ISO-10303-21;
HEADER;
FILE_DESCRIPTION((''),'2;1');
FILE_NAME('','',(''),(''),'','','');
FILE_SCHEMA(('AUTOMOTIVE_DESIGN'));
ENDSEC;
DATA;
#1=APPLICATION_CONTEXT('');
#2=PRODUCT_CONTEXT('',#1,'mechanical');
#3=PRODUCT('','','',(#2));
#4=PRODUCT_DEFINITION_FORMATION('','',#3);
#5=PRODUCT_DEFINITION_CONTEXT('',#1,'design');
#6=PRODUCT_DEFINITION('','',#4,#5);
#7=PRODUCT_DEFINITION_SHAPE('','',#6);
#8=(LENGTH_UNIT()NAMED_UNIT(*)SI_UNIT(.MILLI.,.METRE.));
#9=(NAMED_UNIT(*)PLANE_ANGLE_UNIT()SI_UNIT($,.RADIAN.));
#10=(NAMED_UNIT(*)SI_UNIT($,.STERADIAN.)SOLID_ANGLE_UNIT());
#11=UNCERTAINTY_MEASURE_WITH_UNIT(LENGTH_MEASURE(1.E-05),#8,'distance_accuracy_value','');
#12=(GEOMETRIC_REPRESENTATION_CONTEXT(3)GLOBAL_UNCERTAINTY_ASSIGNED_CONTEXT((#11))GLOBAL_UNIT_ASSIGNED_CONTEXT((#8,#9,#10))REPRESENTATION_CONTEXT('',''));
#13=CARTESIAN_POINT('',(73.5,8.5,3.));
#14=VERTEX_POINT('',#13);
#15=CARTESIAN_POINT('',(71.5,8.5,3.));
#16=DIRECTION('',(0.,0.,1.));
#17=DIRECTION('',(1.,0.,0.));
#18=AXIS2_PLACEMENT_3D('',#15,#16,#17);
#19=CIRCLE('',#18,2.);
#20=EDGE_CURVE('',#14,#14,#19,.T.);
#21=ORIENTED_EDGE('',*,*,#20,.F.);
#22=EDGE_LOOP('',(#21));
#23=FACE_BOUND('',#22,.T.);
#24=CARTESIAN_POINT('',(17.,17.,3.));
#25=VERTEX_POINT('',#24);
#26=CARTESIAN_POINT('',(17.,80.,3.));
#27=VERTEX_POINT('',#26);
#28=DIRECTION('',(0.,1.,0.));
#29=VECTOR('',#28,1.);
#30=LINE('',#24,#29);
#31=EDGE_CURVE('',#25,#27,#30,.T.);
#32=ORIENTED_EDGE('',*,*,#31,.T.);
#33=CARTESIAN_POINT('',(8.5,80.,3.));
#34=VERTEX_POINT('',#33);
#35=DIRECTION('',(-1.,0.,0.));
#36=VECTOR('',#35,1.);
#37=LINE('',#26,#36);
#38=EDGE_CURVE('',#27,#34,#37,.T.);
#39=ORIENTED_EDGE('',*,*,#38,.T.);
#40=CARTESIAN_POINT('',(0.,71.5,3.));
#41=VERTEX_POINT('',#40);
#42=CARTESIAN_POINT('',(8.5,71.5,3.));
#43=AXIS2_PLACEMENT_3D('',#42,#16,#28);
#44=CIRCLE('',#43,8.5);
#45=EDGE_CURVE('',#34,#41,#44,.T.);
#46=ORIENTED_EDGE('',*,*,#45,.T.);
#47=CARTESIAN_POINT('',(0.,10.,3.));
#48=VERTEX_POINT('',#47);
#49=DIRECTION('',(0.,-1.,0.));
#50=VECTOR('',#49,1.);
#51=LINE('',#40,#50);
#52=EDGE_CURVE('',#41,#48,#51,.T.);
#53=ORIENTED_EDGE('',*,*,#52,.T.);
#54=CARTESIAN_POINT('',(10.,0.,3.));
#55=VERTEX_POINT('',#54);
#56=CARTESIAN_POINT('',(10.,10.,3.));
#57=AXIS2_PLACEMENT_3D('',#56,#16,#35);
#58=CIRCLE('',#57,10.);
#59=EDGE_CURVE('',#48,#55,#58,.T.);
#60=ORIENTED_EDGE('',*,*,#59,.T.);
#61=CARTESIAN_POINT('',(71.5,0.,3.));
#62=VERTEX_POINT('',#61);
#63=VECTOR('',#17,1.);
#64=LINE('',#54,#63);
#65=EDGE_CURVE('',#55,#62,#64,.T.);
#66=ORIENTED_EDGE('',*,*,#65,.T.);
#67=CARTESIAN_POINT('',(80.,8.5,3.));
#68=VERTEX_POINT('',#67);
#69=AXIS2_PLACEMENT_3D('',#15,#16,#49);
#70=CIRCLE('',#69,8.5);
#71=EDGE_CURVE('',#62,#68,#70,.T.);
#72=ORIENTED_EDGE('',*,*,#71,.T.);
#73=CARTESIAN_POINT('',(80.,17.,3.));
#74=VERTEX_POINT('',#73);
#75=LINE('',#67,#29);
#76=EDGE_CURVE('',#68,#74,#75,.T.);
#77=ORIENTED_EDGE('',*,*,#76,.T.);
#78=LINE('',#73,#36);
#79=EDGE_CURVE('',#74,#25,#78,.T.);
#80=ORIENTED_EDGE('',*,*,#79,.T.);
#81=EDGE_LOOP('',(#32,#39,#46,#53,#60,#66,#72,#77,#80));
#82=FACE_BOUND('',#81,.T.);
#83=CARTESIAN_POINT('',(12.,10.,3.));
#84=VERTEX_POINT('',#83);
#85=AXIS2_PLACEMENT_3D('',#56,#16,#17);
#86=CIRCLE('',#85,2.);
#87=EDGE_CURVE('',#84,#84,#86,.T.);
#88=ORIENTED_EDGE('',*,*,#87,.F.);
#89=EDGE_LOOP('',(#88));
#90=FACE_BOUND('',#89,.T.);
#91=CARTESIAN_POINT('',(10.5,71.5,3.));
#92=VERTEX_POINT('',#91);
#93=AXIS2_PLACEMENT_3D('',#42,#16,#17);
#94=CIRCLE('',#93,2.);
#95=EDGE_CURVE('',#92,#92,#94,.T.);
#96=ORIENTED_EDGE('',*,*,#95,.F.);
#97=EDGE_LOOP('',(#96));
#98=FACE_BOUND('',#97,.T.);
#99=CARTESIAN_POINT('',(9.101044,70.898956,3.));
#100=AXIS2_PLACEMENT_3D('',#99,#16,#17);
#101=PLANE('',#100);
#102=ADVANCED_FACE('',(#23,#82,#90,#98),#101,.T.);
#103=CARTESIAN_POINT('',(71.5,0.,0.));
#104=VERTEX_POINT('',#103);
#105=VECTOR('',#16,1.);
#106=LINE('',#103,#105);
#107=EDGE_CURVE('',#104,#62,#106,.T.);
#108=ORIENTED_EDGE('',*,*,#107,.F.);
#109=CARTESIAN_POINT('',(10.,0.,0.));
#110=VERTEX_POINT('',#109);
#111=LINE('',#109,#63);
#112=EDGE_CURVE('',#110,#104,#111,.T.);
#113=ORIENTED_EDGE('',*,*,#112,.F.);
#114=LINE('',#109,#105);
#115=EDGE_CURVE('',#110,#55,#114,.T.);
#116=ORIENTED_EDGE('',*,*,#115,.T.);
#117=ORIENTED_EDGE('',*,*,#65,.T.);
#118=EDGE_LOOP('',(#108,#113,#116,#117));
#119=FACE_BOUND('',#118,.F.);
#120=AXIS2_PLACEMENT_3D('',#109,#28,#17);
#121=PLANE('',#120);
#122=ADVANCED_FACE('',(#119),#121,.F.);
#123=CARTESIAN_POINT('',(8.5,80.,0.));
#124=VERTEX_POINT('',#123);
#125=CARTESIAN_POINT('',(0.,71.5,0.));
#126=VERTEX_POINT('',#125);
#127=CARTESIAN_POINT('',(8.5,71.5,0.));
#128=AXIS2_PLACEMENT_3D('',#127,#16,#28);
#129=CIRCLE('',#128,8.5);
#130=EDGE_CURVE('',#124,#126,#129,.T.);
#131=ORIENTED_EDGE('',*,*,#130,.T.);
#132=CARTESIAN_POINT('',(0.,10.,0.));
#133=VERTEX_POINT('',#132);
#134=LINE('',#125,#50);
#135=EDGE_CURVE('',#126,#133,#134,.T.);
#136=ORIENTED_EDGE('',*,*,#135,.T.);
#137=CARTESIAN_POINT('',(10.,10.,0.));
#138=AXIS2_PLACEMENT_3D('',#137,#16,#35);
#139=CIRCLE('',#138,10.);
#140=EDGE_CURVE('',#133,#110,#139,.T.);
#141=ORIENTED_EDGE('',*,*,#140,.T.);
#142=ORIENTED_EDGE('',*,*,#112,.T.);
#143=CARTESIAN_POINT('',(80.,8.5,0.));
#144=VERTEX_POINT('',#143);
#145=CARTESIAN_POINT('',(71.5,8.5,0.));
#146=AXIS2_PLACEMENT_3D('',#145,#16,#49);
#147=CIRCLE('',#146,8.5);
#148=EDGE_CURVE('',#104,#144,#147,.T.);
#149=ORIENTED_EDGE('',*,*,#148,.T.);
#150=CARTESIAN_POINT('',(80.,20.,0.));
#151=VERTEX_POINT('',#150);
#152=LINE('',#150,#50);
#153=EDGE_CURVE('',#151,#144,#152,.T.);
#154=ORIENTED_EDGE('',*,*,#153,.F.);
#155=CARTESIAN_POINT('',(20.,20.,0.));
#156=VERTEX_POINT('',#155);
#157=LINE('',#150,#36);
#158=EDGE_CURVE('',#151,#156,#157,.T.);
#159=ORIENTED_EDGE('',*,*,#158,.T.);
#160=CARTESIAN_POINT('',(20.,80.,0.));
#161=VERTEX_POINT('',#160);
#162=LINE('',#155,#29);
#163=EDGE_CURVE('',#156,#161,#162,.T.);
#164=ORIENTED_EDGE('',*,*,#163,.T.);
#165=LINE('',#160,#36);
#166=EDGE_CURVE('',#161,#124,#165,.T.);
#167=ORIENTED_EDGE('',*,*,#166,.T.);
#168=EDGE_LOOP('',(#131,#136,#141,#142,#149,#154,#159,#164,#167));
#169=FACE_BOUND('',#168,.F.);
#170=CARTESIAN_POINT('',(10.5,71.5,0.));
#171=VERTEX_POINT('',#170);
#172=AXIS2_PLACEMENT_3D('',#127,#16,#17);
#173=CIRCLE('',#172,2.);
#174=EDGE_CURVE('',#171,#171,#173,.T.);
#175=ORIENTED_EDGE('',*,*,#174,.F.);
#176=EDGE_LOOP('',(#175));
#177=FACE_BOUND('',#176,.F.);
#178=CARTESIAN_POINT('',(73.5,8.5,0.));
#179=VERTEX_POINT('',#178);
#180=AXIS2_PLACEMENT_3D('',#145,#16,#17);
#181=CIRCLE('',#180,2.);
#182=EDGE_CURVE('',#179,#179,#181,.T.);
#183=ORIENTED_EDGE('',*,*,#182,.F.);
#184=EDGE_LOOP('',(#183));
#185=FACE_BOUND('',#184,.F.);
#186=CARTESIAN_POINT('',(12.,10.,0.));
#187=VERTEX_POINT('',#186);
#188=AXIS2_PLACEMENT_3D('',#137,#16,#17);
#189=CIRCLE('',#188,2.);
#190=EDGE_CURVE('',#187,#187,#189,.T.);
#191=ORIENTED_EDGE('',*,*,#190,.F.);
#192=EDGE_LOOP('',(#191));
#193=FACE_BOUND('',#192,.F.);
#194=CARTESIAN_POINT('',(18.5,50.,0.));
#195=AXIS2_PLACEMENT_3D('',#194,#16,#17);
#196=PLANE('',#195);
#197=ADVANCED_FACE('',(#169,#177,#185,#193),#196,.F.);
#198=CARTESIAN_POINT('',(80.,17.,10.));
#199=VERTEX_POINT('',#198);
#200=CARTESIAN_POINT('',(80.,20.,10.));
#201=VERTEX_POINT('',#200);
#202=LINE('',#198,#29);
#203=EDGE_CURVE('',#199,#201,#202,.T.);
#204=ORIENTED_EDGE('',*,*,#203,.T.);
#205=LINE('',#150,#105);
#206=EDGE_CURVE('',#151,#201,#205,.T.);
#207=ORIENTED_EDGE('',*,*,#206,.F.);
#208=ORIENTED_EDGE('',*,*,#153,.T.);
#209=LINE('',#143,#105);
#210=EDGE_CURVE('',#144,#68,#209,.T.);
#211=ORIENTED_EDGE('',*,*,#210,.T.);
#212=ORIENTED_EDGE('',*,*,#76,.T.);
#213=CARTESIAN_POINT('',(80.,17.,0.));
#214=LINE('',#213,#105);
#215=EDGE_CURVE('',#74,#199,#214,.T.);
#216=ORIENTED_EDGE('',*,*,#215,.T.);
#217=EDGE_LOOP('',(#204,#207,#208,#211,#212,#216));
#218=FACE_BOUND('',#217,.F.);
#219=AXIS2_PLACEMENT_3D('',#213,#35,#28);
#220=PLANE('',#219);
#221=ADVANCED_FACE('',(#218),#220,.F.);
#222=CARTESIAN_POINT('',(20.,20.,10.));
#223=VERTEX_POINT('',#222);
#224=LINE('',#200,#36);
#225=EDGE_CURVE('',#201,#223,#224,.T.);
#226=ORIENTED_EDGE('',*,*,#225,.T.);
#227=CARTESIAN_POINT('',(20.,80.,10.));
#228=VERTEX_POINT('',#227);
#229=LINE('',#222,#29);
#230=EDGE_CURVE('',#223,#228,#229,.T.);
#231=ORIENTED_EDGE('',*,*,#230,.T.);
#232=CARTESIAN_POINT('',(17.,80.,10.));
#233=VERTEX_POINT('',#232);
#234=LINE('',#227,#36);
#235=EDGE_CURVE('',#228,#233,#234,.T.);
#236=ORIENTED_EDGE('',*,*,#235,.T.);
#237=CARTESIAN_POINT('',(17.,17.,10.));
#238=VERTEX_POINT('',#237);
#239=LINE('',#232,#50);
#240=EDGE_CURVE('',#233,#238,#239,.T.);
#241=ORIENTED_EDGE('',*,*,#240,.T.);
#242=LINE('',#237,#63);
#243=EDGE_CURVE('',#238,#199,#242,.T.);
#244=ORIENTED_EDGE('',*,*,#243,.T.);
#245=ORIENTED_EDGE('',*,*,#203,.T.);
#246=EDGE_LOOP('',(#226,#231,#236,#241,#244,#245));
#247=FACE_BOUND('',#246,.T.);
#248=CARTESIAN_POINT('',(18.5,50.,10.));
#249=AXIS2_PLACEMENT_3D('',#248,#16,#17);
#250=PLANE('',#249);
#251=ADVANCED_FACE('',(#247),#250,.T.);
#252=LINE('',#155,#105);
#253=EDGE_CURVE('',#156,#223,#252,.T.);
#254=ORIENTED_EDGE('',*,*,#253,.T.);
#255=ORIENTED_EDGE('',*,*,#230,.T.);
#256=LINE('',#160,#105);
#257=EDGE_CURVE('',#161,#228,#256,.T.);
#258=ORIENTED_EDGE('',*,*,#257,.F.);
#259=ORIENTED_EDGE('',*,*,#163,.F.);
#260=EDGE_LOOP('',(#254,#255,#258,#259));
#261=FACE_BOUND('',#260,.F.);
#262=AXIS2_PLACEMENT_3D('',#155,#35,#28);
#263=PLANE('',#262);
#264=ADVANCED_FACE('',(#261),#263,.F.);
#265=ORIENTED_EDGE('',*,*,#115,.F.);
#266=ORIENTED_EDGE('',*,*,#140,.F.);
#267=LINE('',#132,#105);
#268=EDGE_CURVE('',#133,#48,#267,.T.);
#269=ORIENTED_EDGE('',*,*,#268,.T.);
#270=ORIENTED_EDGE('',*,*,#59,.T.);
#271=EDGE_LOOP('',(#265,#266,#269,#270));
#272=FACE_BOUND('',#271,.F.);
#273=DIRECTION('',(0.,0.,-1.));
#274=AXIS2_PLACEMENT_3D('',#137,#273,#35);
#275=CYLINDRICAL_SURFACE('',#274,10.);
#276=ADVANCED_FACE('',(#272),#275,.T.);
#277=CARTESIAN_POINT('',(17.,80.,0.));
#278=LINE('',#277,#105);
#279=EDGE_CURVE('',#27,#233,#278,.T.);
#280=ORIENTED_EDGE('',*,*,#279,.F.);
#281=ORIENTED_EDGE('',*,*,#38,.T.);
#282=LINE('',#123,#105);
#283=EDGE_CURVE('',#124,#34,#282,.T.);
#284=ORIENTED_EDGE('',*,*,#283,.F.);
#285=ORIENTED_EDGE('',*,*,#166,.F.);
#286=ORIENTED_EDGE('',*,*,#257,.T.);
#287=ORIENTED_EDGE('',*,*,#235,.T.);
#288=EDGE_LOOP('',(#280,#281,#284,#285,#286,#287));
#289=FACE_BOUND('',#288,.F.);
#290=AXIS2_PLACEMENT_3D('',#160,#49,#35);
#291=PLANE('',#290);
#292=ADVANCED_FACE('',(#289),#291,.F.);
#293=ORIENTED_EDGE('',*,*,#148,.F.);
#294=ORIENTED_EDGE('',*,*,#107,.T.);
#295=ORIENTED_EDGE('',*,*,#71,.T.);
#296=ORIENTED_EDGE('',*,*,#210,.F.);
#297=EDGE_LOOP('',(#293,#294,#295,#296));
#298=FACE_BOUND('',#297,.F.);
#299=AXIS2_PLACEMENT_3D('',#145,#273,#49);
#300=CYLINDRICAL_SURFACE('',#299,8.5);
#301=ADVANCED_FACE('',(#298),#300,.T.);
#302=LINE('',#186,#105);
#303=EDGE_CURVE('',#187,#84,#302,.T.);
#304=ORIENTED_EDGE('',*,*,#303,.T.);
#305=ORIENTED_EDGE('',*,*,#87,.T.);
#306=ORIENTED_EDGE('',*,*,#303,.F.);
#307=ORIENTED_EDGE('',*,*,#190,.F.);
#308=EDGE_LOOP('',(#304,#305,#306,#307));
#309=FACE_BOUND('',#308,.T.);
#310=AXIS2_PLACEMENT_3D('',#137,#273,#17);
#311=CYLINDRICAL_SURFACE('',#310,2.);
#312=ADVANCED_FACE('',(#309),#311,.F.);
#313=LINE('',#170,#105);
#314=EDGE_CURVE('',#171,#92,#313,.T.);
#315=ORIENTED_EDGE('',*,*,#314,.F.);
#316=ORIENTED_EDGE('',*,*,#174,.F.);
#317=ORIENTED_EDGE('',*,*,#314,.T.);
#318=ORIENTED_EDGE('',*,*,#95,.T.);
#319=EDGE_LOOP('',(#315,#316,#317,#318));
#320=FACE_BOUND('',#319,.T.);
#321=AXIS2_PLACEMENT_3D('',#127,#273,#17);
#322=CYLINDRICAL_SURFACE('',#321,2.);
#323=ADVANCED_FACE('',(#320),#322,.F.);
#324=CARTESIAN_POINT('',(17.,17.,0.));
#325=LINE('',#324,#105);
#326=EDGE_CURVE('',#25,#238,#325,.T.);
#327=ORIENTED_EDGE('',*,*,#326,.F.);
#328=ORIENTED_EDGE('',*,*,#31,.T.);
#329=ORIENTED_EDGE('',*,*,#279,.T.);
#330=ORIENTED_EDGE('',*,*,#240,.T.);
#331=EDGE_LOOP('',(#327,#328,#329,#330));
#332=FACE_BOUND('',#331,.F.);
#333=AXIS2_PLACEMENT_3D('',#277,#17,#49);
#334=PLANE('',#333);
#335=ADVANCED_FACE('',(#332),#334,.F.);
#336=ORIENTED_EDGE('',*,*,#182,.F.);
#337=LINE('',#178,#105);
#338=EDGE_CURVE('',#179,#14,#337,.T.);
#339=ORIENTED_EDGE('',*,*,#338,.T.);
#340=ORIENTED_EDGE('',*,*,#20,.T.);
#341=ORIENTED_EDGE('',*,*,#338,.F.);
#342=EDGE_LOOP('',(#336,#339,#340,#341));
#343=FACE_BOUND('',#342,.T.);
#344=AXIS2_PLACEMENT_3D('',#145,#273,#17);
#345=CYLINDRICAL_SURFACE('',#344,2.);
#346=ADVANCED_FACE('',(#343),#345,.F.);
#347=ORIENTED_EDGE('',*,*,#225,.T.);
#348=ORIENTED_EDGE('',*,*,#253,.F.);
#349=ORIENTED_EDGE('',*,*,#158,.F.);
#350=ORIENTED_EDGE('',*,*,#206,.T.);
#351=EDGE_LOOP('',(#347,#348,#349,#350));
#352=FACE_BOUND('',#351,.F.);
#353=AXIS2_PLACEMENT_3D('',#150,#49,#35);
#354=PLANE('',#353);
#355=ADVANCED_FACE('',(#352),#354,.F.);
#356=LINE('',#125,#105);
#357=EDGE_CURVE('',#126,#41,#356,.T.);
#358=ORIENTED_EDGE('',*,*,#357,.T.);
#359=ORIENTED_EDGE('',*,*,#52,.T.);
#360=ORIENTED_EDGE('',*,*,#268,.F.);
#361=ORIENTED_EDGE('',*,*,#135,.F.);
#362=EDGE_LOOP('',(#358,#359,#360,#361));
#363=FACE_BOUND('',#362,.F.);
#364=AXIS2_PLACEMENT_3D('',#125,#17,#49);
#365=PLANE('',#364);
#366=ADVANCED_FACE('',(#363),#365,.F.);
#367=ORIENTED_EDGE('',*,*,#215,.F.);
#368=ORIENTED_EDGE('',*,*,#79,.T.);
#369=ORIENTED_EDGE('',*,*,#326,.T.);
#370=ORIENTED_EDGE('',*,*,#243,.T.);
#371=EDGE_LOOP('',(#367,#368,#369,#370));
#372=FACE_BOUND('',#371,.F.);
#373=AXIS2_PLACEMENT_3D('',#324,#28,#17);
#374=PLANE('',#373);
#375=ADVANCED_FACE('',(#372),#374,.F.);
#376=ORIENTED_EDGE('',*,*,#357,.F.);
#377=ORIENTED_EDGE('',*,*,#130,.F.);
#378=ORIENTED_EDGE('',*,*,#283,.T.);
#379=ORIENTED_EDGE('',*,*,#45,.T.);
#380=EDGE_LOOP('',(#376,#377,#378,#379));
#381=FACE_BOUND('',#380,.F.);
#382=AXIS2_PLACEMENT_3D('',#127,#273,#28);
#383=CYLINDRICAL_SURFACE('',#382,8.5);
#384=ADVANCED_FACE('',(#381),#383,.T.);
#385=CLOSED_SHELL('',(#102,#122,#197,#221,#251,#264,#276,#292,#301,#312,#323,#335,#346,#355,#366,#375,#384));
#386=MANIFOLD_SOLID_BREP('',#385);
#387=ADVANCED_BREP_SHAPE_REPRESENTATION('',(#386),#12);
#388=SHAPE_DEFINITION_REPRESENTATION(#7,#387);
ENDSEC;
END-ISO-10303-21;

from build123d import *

# Parameters (mm, degrees)
F0_R     = 2
F0_W     = 17
F0_H     = 43
F0_W_2   = 43
F0_H_2   = 17
F1_DEPTH = 3
F0_W_3   = 3
F0_H_3   = 3
F2_DEPTH = 10


with BuildPart() as f1:
    # F0 (on Top) → F1 (new body)
    with BuildSketch(Plane.XY):
        with BuildLine():
            Line((0, 71.5), (0, 63))
            Line((0, 63), (17, 63))
            Line((17, 63), (17, 80))
            Line((17, 80), (8.5, 80))
            ThreePointArc((8.5, 80), (2.4895923599, 77.5104076401), (0, 71.5))
        make_face()
        with Locations((8.5, 71.5)):
            Circle(F0_R, mode=Mode.SUBTRACT)
        with Locations((8.5, 41.5)):
            Rectangle(F0_W, F0_H)
        with BuildLine():
            ThreePointArc((0, 10), (2.9289321881, 2.9289321881), (10, 0))
            Line((10, 0), (20, 0))
            Line((20, 0), (20, 17))
            Line((20, 17), (17, 17))
            Line((17, 17), (17, 20))
            Line((17, 20), (0, 20))
            Line((0, 20), (0, 10))
        make_face()
        with Locations((10, 10)):
            Circle(F0_R, mode=Mode.SUBTRACT)
        with Locations((41.5, 8.5)):
            Rectangle(F0_W_2, F0_H_2)
        with BuildLine():
            Line((63, 17), (63, 0))
            Line((63, 0), (71.5, 0))
            ThreePointArc((71.5, 0), (77.5104076401, 2.4895923599), (80, 8.5))
            Line((80, 8.5), (80, 17))
            Line((80, 17), (63, 17))
        make_face()
        with Locations((71.5, 8.5)):
            Circle(F0_R, mode=Mode.SUBTRACT)
    extrude(amount=F1_DEPTH)

    # F0 (on Top) → F2 (join)
    with BuildSketch(Plane.XY):
        Polygon((17, 63), (17, 20), (20, 20), (20, 80), (17, 80), align=None)
        Polygon((20, 20), (20, 17), (63, 17), (80, 17), (80, 20), align=None)
        with Locations((18.5, 18.5)):
            Rectangle(F0_W_3, F0_H_3)
    extrude(amount=F2_DEPTH)


solid = f1.part
